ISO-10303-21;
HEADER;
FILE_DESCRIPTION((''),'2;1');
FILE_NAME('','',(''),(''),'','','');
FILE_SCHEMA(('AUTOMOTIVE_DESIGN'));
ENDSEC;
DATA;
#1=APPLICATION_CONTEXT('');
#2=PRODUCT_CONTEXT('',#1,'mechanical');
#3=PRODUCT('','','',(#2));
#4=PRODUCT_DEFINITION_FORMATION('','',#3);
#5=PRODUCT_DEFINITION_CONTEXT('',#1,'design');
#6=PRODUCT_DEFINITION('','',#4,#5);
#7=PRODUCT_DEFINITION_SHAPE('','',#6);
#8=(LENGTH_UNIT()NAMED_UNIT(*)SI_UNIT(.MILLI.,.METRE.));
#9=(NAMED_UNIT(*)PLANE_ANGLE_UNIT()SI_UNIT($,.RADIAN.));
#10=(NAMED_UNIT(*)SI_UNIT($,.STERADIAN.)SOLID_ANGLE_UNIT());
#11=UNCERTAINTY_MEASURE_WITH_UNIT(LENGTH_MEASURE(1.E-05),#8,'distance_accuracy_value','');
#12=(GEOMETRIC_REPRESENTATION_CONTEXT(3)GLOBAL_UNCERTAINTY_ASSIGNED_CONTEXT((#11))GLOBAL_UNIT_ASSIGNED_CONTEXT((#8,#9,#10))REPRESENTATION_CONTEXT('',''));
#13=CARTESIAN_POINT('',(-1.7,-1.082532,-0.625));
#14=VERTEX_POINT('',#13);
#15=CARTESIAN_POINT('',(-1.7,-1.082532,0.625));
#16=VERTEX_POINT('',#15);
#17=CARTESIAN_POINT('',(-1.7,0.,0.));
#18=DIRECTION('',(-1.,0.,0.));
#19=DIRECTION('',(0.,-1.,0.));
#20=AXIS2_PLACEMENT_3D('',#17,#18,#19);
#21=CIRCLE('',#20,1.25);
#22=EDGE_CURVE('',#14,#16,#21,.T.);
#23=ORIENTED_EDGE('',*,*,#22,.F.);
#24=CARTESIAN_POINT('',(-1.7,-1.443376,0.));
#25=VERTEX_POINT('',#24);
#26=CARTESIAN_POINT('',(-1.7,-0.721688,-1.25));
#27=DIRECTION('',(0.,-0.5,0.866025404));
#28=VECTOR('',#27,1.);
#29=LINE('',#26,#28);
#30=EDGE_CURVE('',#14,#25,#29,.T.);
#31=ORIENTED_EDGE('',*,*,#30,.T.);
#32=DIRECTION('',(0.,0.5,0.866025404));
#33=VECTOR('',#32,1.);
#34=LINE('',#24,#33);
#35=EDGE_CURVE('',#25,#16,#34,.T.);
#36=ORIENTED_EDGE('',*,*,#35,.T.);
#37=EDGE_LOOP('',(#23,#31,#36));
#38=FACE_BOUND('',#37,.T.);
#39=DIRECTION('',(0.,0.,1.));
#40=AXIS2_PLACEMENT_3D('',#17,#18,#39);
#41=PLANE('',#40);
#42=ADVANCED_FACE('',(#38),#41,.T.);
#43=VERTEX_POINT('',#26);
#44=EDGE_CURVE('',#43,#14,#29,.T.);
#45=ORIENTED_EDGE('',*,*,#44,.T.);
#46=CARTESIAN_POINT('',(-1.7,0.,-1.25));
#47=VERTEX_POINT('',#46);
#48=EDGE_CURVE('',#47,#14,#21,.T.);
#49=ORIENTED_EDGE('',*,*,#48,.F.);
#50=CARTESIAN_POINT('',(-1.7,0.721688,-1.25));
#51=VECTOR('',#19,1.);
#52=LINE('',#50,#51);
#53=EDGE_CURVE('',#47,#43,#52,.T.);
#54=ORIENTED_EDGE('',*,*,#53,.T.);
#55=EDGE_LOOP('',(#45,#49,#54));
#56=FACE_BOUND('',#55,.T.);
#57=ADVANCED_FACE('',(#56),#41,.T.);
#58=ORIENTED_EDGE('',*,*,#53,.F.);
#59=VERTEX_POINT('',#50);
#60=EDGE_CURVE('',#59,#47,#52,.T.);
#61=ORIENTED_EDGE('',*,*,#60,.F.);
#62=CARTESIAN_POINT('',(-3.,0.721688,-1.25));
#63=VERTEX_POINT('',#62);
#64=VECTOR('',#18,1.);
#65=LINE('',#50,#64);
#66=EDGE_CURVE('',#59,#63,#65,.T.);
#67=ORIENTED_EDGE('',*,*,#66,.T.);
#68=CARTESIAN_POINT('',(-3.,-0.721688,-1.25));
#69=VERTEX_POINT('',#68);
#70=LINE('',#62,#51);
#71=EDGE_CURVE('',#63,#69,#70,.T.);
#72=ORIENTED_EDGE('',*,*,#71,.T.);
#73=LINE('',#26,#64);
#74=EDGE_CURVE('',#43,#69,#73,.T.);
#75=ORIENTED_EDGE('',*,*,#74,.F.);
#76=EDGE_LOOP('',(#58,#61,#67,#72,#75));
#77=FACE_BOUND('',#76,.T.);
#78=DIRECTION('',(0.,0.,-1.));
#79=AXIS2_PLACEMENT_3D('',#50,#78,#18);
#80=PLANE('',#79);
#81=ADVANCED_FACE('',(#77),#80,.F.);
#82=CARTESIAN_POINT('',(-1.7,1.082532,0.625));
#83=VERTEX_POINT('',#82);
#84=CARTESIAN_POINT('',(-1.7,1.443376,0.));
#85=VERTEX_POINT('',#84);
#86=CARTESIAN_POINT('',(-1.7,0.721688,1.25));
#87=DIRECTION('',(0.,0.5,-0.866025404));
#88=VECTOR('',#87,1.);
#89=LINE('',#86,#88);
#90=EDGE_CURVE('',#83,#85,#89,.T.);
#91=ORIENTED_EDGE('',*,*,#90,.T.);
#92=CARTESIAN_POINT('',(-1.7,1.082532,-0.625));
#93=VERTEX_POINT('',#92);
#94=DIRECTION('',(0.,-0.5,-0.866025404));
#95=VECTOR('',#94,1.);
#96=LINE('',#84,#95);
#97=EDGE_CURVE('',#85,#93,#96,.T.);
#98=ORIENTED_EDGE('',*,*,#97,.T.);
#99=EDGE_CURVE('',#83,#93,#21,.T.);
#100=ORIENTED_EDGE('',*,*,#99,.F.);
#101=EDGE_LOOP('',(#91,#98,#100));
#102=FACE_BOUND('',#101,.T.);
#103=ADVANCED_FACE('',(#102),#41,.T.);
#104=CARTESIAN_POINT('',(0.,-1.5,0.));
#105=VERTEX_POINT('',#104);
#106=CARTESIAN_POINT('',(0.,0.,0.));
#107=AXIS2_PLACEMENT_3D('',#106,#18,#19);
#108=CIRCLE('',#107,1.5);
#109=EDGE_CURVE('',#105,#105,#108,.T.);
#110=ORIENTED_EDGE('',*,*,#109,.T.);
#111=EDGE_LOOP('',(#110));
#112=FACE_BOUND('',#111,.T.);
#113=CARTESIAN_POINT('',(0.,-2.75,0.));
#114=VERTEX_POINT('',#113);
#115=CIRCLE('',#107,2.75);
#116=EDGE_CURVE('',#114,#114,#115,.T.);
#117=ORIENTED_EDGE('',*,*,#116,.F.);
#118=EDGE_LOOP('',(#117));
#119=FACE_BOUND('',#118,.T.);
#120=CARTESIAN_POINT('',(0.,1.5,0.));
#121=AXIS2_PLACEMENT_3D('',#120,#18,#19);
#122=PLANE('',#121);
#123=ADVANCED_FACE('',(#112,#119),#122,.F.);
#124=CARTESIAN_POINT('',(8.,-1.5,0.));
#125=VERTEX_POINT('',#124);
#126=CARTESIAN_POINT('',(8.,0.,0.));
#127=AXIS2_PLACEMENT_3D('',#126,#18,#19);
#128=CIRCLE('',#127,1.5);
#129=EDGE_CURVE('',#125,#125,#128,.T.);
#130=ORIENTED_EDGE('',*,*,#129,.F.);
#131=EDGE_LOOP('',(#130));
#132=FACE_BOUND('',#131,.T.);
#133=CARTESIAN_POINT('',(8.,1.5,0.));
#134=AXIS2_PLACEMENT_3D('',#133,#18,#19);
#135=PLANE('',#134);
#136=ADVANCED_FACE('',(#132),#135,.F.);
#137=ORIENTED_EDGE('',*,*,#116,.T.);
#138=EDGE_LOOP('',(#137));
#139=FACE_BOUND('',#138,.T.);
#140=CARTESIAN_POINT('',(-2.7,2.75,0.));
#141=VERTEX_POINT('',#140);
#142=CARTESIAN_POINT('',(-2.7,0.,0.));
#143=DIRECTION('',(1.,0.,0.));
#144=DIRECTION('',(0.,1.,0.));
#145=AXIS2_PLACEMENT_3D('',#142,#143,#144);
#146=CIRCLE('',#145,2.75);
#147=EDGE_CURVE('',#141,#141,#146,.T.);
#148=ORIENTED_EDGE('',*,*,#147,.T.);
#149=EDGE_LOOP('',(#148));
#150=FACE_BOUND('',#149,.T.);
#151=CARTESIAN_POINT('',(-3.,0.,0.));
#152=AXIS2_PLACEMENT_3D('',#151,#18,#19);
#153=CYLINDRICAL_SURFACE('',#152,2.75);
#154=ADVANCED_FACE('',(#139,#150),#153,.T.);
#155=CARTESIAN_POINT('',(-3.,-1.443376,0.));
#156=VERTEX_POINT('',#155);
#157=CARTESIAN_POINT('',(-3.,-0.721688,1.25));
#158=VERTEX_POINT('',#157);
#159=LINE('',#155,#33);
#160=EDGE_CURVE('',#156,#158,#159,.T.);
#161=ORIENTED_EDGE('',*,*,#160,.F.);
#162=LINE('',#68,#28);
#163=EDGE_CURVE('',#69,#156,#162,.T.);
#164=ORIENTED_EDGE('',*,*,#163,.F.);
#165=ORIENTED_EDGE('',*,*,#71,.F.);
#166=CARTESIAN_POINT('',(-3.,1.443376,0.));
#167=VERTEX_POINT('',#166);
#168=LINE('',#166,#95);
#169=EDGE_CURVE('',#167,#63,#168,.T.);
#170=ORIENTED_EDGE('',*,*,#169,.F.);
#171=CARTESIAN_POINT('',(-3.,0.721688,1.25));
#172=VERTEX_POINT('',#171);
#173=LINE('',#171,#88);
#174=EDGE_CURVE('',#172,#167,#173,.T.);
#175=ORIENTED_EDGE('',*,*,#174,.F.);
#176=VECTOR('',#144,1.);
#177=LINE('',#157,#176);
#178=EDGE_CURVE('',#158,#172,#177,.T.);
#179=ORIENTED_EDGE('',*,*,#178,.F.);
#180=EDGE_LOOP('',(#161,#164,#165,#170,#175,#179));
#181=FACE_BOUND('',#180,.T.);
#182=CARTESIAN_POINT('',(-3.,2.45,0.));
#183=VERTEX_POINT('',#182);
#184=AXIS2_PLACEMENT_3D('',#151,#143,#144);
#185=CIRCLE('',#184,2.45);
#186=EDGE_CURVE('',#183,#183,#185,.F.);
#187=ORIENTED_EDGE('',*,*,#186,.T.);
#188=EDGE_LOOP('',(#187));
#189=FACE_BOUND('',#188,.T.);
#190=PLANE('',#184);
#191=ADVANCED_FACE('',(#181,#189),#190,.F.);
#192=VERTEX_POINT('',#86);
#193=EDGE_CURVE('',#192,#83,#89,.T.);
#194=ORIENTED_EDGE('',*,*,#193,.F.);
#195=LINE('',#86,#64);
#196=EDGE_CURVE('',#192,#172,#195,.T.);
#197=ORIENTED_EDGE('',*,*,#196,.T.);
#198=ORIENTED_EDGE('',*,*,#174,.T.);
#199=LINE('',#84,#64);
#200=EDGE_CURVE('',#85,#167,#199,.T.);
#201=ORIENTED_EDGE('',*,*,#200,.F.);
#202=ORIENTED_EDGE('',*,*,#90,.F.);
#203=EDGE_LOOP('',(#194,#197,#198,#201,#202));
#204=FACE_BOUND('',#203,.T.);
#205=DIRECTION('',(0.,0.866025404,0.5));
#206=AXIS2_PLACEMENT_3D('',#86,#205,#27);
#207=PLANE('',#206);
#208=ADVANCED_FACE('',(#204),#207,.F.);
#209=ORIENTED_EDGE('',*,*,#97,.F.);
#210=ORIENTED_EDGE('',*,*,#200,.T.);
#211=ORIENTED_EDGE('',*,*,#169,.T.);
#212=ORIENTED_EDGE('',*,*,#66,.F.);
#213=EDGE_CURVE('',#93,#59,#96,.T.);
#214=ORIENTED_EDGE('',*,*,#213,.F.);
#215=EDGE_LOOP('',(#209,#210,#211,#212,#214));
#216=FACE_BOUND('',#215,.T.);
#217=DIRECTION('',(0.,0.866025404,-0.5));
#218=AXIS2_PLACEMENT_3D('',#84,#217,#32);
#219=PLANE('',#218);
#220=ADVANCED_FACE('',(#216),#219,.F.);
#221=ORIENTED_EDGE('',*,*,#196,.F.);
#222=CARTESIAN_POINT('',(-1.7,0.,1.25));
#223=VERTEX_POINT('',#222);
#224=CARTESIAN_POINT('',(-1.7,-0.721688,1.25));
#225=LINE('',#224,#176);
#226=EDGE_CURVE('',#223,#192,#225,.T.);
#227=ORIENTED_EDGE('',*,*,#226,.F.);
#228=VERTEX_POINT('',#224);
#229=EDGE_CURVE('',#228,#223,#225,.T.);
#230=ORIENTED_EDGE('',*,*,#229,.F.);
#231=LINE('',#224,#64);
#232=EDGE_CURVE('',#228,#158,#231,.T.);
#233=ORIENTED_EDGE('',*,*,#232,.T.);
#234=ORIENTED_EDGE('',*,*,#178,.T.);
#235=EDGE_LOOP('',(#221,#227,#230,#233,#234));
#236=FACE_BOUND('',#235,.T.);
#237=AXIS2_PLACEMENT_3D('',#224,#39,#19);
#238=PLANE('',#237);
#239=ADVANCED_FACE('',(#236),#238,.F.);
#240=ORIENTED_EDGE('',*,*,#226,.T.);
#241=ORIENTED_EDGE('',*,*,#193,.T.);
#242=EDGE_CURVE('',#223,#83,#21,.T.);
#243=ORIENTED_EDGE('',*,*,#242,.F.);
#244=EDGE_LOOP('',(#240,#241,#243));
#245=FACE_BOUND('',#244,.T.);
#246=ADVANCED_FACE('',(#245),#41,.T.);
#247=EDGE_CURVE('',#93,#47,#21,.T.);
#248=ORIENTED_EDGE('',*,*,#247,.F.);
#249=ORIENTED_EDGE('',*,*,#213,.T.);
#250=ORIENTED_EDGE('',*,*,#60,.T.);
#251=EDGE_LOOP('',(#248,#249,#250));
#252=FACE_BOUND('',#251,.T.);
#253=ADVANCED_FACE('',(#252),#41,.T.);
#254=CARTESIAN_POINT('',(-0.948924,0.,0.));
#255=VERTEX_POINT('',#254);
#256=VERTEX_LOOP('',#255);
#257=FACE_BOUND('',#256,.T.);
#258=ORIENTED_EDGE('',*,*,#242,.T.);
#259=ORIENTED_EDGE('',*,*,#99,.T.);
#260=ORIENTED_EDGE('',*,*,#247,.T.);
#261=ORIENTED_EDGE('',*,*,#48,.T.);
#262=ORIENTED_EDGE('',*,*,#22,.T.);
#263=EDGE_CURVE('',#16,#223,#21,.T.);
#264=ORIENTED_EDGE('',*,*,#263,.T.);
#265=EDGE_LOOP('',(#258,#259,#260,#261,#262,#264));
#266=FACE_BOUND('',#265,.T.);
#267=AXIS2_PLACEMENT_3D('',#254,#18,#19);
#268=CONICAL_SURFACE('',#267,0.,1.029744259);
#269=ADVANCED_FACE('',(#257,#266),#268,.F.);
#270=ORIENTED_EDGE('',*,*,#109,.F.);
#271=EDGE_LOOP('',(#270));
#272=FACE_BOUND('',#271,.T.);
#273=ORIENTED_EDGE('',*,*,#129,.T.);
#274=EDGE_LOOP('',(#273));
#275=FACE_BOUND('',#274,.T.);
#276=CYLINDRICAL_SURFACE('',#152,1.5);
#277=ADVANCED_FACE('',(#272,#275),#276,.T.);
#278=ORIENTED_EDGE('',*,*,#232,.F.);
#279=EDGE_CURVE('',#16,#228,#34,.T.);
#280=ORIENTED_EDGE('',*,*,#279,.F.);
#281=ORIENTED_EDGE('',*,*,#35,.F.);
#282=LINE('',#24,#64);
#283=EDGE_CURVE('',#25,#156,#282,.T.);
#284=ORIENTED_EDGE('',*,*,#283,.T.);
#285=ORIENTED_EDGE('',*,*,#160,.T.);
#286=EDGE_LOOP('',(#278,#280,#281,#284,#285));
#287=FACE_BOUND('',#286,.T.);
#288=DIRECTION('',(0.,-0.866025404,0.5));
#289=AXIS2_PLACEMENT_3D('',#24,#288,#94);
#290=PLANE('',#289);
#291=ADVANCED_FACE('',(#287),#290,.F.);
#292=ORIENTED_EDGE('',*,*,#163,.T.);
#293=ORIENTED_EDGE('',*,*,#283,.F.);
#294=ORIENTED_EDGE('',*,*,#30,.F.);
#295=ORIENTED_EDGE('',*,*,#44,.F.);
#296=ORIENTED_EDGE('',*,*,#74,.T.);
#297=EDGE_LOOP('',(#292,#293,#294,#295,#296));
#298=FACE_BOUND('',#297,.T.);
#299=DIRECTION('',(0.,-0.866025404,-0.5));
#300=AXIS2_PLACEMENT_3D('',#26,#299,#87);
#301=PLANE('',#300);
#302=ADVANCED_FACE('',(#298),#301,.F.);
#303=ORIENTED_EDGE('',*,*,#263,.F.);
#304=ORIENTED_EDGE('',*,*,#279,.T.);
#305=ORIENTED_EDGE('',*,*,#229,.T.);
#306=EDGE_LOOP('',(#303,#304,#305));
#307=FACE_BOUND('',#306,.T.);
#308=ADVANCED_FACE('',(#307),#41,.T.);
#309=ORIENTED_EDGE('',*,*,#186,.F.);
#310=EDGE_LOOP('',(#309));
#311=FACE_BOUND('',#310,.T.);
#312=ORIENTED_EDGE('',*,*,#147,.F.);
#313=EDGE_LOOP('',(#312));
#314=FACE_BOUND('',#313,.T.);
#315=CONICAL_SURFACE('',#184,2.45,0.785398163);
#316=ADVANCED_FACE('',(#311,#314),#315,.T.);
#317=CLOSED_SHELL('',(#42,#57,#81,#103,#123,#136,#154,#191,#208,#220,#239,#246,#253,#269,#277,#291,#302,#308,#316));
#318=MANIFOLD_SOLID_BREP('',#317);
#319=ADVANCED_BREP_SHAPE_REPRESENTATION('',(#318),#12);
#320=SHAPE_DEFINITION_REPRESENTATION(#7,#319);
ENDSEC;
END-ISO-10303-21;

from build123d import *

# Parameters (mm, degrees)
CUT_EXTRUDE1_DEPTH = 1.3
CHAMFER1_SIZE      = 0.3


with BuildPart() as part:
    # Sketch1 → Revolve1 (revolve)
    with BuildSketch(Plane.XY):
        Polygon((0, 1.5), (8, 1.5), (8, 0), (-3, 0), (-3, 2.75), (0, 2.75), align=None)
    revolve(axis=Axis((-3, 0, 0), (1, 0, 0)))

    # Sketch2 → Cut-Revolve1 (revolve, cut)
    with BuildSketch(Plane.XY):
        Polygon((-0.948924226, 0), (-1.7, 1.25), (-3, 1.25), (-3, 0), align=None)
    revolve(axis=Axis((-3, 0, 0), (1, 0, 0)), mode=Mode.SUBTRACT)

    # Sketch3 → Cut-Extrude1 (cut)
    with BuildSketch(Plane.ZY.offset(3)):
        Polygon((1.25, 0.721687836), (0, 1.443375673), (-1.25, 0.721687836), (-1.25, -0.721687836), (0, -1.443375673), (1.25, -0.721687836), align=None)
    extrude(amount=-CUT_EXTRUDE1_DEPTH, mode=Mode.SUBTRACT)

    # Chamfer1
    chamfer1_edges = [part.edges().sort_by_distance(p)[0] for p in [
        (-3, -2.75, 0),
    ]]
    chamfer(chamfer1_edges, length=CHAMFER1_SIZE)


solid = part.part
